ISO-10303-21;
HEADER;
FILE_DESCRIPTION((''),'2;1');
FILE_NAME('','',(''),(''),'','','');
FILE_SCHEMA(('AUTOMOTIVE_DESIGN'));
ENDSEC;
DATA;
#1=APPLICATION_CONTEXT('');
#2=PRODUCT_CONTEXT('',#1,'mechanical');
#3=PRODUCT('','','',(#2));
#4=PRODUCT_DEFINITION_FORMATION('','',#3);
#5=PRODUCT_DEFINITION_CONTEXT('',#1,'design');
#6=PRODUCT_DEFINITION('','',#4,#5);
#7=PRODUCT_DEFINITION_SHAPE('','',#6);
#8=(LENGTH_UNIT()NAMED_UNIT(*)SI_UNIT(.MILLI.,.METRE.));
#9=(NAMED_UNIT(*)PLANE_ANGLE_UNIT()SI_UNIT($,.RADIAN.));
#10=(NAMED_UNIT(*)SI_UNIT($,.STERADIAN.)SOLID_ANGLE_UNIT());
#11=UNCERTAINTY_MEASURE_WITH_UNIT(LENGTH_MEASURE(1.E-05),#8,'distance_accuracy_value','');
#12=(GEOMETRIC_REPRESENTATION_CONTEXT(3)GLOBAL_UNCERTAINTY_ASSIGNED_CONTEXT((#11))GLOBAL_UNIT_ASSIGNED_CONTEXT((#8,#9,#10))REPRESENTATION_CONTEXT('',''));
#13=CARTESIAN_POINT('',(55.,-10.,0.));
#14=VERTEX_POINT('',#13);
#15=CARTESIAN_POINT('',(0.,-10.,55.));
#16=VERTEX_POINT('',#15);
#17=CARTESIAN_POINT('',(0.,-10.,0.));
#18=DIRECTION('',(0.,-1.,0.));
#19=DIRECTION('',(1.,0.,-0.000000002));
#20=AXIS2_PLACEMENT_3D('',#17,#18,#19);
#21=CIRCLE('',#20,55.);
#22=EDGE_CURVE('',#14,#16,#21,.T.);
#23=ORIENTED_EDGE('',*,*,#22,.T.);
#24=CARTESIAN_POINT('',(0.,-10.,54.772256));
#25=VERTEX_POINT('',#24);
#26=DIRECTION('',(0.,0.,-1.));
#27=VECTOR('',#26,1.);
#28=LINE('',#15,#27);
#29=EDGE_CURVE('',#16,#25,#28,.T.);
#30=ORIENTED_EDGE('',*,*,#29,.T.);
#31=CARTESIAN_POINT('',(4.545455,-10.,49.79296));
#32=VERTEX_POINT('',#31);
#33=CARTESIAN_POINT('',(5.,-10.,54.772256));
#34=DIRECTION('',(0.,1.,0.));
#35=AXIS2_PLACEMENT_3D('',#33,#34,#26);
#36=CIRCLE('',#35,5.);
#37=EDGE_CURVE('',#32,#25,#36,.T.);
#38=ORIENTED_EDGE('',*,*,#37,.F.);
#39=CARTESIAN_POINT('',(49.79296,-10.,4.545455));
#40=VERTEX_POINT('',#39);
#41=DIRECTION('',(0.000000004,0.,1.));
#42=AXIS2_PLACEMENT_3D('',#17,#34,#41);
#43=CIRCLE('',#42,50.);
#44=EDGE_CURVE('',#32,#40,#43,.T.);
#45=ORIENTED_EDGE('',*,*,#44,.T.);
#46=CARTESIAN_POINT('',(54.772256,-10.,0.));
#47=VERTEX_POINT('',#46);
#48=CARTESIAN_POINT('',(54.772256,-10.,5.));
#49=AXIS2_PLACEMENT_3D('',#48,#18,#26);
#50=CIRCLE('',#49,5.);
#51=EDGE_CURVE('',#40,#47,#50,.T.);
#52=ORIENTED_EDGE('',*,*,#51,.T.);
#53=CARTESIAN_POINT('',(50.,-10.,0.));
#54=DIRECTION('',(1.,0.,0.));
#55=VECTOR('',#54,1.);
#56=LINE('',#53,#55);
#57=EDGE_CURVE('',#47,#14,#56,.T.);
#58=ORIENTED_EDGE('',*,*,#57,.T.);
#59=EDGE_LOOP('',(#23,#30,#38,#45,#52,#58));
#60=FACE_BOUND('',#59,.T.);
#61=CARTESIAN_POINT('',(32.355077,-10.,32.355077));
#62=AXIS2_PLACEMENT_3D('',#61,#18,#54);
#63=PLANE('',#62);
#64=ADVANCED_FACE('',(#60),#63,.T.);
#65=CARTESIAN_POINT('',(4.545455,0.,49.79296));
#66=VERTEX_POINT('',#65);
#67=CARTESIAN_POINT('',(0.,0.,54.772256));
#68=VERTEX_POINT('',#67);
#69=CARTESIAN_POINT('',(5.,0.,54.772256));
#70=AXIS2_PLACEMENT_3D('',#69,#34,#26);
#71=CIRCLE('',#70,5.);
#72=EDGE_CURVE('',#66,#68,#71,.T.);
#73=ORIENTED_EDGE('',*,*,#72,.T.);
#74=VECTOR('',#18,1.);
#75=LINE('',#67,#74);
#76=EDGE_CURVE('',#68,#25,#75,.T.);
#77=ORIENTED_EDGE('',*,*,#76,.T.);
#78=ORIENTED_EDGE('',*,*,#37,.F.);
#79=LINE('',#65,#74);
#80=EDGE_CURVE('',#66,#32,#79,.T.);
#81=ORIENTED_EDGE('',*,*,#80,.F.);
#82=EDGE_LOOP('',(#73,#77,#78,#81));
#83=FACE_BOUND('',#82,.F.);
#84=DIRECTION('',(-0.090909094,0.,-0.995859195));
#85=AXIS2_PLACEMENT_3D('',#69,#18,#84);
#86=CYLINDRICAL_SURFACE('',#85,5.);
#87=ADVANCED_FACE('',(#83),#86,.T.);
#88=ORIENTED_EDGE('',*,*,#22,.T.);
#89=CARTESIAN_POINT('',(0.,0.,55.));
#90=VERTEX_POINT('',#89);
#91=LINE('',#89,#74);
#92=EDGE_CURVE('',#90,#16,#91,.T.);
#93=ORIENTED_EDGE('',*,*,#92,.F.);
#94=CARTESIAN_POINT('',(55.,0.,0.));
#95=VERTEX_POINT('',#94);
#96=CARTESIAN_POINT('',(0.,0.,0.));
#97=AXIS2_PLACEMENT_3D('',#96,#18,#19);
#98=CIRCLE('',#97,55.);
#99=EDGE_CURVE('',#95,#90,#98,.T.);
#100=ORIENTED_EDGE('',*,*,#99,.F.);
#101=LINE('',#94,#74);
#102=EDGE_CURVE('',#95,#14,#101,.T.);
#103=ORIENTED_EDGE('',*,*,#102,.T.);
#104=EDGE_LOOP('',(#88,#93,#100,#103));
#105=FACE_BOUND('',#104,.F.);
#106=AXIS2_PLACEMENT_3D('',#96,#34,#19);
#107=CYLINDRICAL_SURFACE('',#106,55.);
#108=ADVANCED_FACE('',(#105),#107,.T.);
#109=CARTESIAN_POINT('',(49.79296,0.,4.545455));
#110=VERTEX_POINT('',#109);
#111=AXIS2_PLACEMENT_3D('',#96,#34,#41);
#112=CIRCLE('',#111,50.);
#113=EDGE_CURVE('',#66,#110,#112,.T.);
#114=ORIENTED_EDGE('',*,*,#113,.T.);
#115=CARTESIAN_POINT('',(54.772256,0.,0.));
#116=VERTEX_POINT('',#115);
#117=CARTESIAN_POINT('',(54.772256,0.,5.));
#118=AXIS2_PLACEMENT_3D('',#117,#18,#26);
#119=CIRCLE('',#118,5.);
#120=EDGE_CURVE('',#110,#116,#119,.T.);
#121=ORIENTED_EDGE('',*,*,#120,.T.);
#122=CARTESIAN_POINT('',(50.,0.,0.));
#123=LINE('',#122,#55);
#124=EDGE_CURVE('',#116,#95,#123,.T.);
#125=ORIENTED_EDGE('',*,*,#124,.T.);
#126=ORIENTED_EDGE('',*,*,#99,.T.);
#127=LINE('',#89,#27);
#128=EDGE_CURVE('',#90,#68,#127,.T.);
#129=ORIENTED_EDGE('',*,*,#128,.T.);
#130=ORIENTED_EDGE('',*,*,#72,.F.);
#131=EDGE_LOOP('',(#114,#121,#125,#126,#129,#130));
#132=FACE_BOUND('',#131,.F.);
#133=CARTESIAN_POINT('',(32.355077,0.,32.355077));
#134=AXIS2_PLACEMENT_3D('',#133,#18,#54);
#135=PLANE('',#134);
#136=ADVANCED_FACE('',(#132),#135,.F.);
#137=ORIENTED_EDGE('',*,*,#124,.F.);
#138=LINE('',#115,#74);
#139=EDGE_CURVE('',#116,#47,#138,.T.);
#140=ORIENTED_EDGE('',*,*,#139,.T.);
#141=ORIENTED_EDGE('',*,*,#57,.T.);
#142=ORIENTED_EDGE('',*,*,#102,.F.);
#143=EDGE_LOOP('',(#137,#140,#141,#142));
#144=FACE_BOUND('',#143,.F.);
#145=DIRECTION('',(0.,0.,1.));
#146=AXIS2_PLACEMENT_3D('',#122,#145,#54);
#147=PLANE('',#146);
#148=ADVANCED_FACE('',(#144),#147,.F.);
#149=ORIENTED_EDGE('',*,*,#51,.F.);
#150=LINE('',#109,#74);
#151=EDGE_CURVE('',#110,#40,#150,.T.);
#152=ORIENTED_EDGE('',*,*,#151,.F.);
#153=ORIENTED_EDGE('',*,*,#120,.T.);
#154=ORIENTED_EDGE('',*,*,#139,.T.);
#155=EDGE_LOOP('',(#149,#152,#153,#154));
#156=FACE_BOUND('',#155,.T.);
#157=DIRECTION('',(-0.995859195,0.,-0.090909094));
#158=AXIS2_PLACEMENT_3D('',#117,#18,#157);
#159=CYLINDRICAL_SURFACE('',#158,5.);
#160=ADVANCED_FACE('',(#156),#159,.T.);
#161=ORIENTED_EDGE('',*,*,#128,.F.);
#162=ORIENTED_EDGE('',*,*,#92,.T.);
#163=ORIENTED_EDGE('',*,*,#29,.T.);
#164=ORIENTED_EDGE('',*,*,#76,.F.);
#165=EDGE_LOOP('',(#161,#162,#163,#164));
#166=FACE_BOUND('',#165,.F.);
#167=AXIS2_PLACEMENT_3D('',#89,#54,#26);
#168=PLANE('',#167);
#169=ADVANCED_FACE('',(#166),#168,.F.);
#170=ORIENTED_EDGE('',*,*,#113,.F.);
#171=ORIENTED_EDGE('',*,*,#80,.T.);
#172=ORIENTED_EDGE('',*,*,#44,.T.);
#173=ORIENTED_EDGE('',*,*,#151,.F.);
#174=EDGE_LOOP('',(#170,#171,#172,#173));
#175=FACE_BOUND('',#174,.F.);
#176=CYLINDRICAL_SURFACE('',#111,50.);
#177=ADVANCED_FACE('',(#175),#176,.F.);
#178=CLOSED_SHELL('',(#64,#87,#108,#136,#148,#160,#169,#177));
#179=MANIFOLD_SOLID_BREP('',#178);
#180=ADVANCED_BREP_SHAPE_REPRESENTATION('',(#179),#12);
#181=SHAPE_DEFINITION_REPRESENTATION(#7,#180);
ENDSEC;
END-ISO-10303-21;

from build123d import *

# Parameters (mm, degrees)
F1_DEPTH = 10
F2_R     = 5


with BuildPart() as f1:
    # F0 (on Front) → F1 (new body)
    with BuildSketch(Plane.XZ):
        with BuildLine():
            ThreePointArc((0, 50), (35.355339, 35.355339), (50, 0))
            Line((50, 0), (55, 0))
            ThreePointArc((55, 0), (38.890873, 38.890873), (0, 55))
            Line((0, 55), (0, 50))
        make_face()
    extrude(amount=F1_DEPTH)

    # F2
    f2_edges = [f1.edges().sort_by_distance(p)[0] for p in [
        (50, -5, 0),
        (0, -5, 50),
    ]]
    fillet(f2_edges, radius=F2_R)


solid = f1.part
